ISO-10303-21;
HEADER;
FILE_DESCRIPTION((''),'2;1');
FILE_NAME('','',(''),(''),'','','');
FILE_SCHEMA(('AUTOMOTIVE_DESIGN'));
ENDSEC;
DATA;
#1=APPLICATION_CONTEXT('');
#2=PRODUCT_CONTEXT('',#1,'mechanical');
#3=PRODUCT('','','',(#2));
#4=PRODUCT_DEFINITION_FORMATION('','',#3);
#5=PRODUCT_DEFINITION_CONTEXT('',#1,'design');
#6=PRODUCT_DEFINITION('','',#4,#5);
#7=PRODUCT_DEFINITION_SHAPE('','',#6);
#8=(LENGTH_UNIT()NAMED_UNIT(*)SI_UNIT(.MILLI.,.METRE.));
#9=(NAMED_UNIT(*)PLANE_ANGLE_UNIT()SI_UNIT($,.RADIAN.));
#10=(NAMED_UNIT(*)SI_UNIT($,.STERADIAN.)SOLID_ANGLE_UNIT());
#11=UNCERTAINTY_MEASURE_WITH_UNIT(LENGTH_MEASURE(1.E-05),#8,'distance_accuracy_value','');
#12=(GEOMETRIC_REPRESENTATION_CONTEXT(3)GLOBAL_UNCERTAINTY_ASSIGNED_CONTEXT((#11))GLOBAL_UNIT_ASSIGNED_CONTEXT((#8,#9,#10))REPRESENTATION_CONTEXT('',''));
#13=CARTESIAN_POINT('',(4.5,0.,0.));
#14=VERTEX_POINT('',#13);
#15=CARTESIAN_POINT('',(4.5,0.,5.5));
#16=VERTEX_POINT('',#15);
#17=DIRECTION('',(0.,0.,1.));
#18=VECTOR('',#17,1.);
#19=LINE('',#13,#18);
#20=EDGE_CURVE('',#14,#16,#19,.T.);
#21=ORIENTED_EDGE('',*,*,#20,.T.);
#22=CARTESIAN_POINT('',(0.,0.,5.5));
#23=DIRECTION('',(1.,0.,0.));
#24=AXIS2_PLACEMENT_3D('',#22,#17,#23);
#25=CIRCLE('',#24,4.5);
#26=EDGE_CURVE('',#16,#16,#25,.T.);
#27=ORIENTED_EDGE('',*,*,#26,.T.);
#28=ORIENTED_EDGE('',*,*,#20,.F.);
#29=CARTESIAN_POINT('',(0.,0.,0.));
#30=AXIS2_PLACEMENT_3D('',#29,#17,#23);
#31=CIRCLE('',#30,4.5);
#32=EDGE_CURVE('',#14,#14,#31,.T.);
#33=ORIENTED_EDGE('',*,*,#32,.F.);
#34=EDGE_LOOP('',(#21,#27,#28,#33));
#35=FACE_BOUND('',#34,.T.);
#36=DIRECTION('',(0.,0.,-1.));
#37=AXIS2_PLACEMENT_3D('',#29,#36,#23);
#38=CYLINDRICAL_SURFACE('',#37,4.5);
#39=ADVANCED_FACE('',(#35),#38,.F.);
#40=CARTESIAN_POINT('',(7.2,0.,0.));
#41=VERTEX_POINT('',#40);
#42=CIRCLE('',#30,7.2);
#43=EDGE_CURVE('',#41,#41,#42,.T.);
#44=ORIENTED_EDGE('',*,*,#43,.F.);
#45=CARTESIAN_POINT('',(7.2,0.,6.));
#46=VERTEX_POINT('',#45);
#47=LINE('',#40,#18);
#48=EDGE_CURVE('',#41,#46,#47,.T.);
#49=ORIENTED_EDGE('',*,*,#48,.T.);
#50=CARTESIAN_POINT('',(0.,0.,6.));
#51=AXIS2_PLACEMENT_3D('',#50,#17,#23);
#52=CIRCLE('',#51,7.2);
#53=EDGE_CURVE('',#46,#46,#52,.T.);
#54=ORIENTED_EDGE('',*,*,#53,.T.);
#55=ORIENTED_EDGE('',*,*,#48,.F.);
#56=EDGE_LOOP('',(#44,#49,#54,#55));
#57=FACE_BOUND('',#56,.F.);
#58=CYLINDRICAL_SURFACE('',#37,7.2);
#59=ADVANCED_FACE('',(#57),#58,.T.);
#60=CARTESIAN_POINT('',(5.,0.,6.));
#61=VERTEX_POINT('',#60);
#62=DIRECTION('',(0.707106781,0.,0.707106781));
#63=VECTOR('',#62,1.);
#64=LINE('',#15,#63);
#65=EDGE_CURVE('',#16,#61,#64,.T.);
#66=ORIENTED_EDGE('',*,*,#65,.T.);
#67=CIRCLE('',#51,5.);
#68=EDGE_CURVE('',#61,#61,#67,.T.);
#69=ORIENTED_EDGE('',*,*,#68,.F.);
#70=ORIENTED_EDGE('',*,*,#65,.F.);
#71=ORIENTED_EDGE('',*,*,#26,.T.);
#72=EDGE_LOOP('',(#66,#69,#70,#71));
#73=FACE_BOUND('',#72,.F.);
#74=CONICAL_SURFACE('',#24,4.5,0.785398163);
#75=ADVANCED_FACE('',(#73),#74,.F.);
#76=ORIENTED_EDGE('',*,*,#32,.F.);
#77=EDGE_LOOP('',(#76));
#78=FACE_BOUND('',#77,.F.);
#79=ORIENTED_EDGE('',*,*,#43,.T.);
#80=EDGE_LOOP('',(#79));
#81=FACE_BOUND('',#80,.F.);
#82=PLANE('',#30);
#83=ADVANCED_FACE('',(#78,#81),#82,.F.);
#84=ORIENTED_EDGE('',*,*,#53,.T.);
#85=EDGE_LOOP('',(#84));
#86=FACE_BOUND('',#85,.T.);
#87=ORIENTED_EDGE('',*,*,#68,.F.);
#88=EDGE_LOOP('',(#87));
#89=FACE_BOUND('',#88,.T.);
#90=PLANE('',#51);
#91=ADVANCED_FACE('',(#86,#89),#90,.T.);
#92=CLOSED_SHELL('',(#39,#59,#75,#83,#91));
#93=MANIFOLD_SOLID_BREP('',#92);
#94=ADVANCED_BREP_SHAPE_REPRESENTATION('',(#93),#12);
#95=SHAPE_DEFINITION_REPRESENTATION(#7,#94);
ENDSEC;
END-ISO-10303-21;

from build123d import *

# Parameters (mm, degrees)
F0_R     = 7.2
F0_R_2   = 4.5
F1_DEPTH = 6
F2_SIZE2 = 0.5
F2_SIZE  = 0.5


with BuildPart() as f1:
    # F0 (on Top) → F1 (new body)
    with BuildSketch(Plane.XY):
        Circle(F0_R)
        Circle(F0_R_2, mode=Mode.SUBTRACT)
    extrude(amount=F1_DEPTH)

    # F2
    f2_edges = [f1.edges().sort_by_distance(p)[0] for p in [
        (-4.5, 0, 6),
    ]]
    chamfer(f2_edges, length=F2_SIZE, length2=F2_SIZE2)


solid = f1.part
